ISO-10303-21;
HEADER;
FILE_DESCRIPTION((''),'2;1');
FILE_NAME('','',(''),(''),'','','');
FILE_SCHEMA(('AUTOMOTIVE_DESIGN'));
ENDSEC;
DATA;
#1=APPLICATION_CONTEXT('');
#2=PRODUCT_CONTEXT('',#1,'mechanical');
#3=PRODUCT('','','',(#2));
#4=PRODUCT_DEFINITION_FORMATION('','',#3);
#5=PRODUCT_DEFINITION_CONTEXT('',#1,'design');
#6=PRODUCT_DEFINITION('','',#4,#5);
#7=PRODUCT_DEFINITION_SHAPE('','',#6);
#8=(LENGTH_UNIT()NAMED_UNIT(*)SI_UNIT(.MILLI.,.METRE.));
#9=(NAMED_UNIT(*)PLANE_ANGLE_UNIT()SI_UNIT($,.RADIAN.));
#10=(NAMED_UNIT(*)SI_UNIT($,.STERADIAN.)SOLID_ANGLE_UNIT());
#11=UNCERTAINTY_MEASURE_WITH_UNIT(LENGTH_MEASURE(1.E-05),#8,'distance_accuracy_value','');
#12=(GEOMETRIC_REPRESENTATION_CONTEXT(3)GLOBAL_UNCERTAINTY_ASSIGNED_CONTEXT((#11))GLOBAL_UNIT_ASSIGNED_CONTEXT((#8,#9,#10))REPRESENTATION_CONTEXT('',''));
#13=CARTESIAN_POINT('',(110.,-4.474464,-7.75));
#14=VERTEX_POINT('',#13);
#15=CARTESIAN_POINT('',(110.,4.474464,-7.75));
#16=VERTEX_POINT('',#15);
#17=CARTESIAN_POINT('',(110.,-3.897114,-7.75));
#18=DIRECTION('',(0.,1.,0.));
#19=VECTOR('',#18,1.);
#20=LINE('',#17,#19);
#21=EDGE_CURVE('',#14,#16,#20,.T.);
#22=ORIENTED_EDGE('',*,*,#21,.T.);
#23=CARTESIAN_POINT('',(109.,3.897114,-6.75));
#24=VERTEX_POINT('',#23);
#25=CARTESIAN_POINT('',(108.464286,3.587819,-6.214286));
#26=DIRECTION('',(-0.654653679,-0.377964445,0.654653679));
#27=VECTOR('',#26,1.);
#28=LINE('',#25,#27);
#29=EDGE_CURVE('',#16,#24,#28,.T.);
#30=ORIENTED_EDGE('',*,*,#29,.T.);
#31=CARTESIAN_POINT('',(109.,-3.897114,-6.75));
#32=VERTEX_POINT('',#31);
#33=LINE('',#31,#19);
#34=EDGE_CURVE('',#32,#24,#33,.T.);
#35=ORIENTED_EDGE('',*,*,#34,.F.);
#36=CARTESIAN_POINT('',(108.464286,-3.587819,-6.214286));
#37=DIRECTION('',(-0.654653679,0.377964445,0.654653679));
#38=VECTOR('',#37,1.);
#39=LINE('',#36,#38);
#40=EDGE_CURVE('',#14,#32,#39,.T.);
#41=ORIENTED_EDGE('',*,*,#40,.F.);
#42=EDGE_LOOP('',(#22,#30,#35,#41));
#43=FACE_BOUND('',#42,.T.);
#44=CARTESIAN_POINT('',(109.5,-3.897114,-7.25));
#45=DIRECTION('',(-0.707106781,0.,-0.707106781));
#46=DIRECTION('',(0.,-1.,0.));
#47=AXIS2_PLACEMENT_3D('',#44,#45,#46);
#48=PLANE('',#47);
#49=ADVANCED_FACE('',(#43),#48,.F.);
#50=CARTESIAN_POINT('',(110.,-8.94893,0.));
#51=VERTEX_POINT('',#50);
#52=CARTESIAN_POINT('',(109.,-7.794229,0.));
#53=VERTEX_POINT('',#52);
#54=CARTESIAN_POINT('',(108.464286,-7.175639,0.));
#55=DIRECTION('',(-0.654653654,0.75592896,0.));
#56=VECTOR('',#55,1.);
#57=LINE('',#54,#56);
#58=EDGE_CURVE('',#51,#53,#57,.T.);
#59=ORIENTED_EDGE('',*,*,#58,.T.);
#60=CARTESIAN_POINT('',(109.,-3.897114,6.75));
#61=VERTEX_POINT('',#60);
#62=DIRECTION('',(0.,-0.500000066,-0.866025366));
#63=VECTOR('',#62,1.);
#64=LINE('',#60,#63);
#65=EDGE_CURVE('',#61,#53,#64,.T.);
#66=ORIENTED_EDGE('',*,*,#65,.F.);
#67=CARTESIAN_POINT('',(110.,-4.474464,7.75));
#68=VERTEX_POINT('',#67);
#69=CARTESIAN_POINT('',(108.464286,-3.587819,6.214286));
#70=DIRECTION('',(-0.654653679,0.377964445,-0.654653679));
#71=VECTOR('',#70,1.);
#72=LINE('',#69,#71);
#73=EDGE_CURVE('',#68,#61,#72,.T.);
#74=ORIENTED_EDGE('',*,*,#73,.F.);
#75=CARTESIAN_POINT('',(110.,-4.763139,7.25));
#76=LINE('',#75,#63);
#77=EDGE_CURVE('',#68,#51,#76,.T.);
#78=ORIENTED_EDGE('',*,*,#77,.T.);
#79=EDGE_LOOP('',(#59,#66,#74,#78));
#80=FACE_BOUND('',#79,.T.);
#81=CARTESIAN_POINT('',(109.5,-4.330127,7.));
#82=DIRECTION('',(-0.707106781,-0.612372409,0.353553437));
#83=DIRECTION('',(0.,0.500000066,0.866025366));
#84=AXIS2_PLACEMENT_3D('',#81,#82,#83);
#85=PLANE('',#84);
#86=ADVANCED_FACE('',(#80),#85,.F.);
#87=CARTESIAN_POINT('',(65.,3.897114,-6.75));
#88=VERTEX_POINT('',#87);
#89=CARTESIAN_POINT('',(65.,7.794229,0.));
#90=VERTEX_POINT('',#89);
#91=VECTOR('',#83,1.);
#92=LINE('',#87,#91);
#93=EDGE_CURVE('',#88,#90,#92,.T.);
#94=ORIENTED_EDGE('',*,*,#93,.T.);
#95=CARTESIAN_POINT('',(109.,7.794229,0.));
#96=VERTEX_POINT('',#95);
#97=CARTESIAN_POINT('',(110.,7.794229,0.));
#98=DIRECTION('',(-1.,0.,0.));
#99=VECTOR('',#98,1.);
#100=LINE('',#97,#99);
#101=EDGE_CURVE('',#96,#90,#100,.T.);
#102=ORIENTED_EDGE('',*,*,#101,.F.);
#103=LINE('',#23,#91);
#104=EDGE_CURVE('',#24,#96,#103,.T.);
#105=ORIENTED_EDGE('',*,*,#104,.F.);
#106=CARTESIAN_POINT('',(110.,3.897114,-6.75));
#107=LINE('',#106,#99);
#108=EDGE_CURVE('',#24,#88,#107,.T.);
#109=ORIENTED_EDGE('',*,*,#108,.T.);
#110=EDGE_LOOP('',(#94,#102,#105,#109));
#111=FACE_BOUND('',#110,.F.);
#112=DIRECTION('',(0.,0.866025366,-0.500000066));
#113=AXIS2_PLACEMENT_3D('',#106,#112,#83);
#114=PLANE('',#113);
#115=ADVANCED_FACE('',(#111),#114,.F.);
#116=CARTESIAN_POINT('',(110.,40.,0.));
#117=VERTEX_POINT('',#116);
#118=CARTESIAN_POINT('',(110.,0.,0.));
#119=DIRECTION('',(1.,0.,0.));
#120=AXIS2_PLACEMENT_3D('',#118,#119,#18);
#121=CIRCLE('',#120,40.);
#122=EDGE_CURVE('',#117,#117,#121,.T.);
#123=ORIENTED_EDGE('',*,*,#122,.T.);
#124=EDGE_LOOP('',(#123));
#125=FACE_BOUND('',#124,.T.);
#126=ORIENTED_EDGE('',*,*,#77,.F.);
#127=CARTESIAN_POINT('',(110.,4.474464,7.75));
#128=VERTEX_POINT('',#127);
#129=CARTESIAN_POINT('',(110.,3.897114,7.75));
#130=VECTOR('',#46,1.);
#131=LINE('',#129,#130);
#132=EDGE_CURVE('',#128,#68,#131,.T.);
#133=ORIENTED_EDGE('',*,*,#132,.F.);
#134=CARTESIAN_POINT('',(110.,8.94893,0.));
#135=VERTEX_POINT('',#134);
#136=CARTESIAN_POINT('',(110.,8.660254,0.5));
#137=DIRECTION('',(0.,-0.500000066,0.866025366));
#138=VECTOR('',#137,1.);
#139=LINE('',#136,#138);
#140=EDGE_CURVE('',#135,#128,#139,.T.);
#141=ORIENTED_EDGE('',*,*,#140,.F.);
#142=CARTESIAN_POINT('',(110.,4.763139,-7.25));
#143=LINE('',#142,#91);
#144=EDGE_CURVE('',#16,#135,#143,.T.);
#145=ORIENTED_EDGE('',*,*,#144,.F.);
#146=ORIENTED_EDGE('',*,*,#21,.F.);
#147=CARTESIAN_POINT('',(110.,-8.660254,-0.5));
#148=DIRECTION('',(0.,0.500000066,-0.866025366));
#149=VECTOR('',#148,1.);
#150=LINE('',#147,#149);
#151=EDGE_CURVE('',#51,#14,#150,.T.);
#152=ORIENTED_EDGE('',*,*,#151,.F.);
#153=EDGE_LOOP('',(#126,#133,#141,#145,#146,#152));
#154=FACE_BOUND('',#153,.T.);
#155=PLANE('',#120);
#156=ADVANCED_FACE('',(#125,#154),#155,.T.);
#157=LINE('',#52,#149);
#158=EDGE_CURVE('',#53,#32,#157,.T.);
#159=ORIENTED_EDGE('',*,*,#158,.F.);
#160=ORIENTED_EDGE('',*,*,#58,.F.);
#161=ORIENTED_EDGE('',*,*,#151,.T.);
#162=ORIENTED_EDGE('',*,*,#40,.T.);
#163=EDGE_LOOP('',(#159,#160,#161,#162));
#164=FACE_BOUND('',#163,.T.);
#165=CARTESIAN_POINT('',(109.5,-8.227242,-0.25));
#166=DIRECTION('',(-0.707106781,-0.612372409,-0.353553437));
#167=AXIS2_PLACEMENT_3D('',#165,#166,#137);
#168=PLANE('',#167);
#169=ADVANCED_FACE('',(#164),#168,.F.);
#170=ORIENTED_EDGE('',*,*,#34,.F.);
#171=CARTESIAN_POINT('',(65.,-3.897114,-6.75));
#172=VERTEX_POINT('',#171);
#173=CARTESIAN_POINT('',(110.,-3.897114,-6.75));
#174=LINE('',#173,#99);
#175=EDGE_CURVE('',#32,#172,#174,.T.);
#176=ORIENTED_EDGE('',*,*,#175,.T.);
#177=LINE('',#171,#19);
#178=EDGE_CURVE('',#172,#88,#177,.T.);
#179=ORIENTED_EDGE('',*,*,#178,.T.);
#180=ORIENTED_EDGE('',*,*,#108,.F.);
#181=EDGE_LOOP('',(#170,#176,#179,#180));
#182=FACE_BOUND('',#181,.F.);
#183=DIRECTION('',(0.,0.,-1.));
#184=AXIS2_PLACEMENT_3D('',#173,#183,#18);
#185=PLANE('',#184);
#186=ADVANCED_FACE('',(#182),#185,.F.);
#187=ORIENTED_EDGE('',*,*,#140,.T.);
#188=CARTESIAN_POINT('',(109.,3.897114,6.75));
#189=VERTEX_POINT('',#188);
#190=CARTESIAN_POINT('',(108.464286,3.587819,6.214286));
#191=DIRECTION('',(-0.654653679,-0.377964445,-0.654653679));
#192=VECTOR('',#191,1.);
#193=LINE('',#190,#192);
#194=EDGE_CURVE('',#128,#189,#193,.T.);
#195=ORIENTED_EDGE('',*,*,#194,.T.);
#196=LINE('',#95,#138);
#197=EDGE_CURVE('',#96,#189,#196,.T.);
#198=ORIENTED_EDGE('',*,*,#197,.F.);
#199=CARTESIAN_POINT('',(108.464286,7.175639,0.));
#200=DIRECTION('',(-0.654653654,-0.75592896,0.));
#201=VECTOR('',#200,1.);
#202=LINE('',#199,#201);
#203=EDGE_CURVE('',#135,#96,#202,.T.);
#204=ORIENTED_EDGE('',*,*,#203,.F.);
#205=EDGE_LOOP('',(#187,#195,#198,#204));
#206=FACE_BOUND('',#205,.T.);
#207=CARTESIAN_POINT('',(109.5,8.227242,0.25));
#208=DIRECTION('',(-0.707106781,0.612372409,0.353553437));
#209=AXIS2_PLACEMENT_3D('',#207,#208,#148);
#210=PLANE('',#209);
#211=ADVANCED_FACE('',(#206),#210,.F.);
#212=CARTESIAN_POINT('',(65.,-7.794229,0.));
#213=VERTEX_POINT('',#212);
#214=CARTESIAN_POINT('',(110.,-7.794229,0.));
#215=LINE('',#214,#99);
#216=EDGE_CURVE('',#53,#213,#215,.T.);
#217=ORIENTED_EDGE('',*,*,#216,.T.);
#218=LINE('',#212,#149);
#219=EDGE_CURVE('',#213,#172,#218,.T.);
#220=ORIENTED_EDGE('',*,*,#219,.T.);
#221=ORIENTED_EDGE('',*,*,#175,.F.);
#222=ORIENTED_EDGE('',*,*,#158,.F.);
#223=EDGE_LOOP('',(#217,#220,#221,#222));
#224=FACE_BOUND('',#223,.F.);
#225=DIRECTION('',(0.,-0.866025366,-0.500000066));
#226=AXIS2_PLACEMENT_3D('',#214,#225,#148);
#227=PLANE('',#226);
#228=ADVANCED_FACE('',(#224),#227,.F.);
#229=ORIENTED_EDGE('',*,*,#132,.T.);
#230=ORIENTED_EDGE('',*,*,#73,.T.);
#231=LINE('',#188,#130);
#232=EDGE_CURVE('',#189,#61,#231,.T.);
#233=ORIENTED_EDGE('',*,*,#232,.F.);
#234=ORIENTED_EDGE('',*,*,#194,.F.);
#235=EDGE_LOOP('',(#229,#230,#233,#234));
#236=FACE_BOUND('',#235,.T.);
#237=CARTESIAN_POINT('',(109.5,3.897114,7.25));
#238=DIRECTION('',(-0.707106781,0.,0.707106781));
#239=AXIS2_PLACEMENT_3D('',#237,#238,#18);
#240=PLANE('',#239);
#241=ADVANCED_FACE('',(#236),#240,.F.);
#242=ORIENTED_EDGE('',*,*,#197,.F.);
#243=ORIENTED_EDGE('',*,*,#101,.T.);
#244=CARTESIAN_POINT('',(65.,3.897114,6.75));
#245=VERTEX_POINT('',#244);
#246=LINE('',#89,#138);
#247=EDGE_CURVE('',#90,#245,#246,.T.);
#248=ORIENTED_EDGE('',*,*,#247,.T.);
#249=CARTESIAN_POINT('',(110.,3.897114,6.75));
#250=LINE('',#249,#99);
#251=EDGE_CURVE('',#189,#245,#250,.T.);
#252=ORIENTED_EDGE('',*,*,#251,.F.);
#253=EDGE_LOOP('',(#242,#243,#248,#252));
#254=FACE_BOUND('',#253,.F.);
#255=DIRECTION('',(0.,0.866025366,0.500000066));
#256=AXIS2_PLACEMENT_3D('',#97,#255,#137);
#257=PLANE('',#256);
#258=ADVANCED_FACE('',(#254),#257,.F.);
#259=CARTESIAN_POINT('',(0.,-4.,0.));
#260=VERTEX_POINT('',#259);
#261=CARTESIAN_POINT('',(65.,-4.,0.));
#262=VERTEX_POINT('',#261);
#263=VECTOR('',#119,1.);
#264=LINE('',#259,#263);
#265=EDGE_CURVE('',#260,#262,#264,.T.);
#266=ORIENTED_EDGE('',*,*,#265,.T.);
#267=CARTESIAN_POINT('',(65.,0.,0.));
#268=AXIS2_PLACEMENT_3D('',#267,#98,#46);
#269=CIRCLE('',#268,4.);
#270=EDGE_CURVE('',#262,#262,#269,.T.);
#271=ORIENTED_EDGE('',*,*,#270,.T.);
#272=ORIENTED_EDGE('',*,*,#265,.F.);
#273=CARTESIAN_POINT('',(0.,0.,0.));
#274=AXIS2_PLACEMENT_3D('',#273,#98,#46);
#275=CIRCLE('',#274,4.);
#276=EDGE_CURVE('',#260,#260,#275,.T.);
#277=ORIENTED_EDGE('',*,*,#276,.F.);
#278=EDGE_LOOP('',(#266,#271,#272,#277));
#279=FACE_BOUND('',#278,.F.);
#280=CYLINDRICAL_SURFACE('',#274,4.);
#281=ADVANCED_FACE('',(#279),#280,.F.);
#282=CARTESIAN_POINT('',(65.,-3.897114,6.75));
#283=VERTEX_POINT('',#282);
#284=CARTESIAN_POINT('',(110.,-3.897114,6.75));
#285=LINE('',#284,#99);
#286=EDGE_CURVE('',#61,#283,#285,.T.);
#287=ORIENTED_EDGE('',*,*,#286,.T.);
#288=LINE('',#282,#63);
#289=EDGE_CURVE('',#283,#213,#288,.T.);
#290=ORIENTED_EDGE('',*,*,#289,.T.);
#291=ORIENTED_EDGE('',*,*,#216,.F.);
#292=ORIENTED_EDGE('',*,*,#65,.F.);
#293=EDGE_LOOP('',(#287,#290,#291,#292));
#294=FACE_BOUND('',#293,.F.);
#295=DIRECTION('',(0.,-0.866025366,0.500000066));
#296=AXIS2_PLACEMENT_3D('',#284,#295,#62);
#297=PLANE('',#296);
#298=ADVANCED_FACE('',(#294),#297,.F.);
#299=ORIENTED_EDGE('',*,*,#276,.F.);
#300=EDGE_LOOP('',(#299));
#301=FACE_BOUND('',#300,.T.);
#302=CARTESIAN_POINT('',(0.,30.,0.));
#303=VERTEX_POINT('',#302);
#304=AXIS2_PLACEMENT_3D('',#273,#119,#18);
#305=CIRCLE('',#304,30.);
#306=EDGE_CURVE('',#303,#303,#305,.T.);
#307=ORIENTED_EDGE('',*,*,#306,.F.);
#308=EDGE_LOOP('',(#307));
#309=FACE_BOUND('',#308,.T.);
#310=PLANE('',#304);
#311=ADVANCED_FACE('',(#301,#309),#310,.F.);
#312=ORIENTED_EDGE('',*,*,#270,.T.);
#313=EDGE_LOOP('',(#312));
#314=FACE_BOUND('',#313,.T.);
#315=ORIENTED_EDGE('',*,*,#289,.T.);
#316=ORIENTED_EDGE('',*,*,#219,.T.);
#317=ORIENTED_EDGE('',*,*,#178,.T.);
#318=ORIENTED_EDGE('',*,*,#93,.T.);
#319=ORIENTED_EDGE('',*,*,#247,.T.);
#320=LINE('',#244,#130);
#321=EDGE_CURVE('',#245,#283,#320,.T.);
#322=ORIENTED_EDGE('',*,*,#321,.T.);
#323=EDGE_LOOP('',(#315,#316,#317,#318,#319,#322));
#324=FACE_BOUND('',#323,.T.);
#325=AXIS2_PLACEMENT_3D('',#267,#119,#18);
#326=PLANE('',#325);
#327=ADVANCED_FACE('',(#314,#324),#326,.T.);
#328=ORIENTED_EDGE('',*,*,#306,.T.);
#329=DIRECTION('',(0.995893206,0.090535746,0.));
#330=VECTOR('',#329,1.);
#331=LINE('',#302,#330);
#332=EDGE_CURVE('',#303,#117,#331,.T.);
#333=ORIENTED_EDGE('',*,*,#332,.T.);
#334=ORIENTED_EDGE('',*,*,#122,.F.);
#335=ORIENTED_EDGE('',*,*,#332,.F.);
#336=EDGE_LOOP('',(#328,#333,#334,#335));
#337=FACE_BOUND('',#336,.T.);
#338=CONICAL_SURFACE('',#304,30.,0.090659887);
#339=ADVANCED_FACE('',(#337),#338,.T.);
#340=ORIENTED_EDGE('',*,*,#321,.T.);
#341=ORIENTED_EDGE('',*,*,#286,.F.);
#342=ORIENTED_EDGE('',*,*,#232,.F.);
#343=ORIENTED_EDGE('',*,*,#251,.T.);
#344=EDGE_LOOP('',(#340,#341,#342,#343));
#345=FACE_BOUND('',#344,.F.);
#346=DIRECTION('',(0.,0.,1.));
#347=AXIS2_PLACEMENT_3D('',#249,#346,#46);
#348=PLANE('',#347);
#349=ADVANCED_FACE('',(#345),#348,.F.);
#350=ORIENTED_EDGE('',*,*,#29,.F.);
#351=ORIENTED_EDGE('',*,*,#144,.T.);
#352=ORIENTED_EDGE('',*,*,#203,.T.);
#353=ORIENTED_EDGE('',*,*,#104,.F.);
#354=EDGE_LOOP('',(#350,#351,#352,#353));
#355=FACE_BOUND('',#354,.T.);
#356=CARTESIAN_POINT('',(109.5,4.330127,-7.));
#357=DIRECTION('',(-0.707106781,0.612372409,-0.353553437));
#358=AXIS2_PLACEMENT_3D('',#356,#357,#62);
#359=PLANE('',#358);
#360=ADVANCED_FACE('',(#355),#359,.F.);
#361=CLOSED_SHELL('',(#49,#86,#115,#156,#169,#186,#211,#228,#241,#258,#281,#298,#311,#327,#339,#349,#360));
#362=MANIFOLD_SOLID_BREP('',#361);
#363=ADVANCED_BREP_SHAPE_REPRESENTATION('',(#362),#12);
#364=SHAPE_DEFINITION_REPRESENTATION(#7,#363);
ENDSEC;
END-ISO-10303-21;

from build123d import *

# Parameters (mm, degrees)
SKETCH001_R     = 4
POCKET_DEPTH    = 110
POCKET001_DEPTH = 45
CHAMFER_SIZE    = 1


with BuildPart() as part:
    # Sketch → Revolution (revolve)
    with BuildSketch(Plane.XY):
        Polygon((0, 0), (0, 30), (110, 40), (110, 0), align=None)
    revolve(axis=Axis((0, 0, 0), (1, 0, 0)))

    # Sketch001 (on Face1 of Revolution) → Pocket (cut)
    with BuildSketch(Plane(origin=(0, 0, 0), x_dir=(0, -1, 0), z_dir=(-1, 0, 0))):
        Circle(SKETCH001_R)
    extrude(amount=-POCKET_DEPTH, mode=Mode.SUBTRACT)

    # Sketch002 (on Face4 of Pocket) → Pocket001 (cut)
    with BuildSketch(Plane.YZ.offset(110)):
        Polygon((3.897114, 6.75), (-3.897114, 6.75), (-7.794229, 0), (-3.897114, -6.75), (3.897114, -6.75), (7.794229, 0), align=None)
    extrude(amount=-POCKET001_DEPTH, mode=Mode.SUBTRACT)

    # Chamfer
    chamfer_edges = [part.edges().sort_by_distance(p)[0] for p in [
        (110, 0, -6.75),
        (110, 0, 6.75),
        (110, 5.845671, 3.375),
        (110, 5.845671, -3.375),
        (110, -5.845671, 3.375),
        (110, -5.845671, -3.375),
    ]]
    chamfer(chamfer_edges, length=CHAMFER_SIZE)


solid = part.part
